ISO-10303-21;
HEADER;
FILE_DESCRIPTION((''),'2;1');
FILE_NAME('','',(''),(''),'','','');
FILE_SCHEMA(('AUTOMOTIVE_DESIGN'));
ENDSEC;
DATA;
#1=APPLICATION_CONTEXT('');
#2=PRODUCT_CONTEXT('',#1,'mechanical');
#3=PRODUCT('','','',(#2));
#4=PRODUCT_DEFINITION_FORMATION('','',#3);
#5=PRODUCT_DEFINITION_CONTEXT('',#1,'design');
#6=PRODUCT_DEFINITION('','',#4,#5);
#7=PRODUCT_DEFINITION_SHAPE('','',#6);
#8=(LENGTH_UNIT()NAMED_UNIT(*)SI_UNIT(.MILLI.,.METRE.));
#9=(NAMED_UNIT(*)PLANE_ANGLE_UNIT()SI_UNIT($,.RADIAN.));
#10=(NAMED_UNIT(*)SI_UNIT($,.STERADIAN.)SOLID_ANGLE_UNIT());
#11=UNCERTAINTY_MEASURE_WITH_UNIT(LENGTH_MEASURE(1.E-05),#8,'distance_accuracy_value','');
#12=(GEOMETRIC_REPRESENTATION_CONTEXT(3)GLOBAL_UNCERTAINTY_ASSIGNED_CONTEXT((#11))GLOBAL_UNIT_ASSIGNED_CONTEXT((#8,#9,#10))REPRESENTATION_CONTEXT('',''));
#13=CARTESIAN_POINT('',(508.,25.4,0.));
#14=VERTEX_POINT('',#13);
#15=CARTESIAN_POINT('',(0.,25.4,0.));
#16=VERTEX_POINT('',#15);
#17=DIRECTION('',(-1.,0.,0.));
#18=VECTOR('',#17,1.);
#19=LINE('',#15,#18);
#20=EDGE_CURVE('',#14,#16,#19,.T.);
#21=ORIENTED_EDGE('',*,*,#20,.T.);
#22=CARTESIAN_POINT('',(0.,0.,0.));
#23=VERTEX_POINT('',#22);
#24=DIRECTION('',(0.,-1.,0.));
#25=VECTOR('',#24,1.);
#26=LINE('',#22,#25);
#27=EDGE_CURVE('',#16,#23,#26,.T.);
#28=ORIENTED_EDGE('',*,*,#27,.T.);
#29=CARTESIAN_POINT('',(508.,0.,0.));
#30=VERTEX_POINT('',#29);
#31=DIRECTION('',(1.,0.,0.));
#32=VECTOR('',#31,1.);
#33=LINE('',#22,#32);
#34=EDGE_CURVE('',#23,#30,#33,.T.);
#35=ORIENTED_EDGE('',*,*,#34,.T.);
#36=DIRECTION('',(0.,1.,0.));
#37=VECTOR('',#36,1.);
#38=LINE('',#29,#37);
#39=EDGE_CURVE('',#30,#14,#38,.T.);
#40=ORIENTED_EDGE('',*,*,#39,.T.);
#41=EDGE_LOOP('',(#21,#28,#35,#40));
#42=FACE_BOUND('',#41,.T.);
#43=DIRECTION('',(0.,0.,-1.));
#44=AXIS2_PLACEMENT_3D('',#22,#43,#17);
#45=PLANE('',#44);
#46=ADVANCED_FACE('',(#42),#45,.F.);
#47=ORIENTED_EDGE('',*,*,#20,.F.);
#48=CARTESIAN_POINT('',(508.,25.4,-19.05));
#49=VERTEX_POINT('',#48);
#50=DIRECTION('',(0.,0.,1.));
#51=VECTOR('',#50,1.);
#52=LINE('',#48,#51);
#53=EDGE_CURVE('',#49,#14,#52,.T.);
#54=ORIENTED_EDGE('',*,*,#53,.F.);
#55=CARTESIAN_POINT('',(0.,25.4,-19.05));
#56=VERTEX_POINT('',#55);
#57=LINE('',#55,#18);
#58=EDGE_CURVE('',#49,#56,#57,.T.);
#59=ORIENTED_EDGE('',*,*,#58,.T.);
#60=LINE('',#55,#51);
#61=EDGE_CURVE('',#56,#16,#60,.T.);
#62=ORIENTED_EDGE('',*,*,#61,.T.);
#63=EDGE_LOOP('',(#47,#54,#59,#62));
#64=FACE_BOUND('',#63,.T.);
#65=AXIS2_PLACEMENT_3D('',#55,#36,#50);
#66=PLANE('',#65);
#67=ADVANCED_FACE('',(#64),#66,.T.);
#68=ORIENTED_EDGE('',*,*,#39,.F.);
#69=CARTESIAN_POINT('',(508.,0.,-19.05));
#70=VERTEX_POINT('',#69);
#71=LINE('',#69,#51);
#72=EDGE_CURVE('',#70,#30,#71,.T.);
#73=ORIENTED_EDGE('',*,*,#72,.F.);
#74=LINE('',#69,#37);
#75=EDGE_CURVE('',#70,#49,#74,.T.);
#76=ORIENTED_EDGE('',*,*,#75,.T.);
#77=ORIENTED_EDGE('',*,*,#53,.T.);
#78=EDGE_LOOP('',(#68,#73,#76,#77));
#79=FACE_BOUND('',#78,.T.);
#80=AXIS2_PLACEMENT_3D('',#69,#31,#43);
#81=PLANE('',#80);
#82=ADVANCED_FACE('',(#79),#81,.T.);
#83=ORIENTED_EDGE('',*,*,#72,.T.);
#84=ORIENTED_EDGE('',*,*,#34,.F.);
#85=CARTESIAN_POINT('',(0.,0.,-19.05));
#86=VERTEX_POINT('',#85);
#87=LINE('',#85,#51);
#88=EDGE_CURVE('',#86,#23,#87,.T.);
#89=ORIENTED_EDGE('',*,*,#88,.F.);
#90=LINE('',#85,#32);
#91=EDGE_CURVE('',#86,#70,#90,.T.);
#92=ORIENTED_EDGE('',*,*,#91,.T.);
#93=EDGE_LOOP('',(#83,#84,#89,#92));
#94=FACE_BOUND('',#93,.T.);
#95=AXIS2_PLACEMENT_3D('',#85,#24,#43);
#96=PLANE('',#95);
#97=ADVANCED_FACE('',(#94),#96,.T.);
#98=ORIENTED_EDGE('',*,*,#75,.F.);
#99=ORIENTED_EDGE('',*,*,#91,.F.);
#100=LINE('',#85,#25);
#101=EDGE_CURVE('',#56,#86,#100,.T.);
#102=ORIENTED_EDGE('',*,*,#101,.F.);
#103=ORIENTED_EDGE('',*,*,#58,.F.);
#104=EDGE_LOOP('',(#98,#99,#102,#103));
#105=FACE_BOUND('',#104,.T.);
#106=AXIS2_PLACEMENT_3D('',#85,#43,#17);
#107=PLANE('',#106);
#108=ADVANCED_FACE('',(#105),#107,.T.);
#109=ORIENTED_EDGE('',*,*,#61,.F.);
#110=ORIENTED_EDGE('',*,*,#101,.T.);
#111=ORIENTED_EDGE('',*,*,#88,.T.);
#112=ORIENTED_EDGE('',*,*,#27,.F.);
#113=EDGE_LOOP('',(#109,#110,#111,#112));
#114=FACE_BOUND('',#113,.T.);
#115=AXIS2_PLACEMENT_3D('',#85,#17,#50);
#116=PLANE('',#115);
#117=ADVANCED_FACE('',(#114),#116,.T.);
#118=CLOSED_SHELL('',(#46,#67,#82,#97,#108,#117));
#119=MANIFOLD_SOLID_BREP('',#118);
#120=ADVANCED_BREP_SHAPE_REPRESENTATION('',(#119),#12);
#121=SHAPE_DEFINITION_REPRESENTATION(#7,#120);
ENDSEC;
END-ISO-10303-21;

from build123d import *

# Parameters (mm, degrees)
SKETCH1_W           = 508
SKETCH1_H           = 25.4
BOSS_EXTRUDE1_DEPTH = 19.05


with BuildPart() as part:
    # Sketch1 → Boss-Extrude1 (new body)
    with BuildSketch(Plane.XY):
        with Locations((254, 12.7)):
            Rectangle(SKETCH1_W, SKETCH1_H)
    extrude(amount=-BOSS_EXTRUDE1_DEPTH)


solid = part.part
